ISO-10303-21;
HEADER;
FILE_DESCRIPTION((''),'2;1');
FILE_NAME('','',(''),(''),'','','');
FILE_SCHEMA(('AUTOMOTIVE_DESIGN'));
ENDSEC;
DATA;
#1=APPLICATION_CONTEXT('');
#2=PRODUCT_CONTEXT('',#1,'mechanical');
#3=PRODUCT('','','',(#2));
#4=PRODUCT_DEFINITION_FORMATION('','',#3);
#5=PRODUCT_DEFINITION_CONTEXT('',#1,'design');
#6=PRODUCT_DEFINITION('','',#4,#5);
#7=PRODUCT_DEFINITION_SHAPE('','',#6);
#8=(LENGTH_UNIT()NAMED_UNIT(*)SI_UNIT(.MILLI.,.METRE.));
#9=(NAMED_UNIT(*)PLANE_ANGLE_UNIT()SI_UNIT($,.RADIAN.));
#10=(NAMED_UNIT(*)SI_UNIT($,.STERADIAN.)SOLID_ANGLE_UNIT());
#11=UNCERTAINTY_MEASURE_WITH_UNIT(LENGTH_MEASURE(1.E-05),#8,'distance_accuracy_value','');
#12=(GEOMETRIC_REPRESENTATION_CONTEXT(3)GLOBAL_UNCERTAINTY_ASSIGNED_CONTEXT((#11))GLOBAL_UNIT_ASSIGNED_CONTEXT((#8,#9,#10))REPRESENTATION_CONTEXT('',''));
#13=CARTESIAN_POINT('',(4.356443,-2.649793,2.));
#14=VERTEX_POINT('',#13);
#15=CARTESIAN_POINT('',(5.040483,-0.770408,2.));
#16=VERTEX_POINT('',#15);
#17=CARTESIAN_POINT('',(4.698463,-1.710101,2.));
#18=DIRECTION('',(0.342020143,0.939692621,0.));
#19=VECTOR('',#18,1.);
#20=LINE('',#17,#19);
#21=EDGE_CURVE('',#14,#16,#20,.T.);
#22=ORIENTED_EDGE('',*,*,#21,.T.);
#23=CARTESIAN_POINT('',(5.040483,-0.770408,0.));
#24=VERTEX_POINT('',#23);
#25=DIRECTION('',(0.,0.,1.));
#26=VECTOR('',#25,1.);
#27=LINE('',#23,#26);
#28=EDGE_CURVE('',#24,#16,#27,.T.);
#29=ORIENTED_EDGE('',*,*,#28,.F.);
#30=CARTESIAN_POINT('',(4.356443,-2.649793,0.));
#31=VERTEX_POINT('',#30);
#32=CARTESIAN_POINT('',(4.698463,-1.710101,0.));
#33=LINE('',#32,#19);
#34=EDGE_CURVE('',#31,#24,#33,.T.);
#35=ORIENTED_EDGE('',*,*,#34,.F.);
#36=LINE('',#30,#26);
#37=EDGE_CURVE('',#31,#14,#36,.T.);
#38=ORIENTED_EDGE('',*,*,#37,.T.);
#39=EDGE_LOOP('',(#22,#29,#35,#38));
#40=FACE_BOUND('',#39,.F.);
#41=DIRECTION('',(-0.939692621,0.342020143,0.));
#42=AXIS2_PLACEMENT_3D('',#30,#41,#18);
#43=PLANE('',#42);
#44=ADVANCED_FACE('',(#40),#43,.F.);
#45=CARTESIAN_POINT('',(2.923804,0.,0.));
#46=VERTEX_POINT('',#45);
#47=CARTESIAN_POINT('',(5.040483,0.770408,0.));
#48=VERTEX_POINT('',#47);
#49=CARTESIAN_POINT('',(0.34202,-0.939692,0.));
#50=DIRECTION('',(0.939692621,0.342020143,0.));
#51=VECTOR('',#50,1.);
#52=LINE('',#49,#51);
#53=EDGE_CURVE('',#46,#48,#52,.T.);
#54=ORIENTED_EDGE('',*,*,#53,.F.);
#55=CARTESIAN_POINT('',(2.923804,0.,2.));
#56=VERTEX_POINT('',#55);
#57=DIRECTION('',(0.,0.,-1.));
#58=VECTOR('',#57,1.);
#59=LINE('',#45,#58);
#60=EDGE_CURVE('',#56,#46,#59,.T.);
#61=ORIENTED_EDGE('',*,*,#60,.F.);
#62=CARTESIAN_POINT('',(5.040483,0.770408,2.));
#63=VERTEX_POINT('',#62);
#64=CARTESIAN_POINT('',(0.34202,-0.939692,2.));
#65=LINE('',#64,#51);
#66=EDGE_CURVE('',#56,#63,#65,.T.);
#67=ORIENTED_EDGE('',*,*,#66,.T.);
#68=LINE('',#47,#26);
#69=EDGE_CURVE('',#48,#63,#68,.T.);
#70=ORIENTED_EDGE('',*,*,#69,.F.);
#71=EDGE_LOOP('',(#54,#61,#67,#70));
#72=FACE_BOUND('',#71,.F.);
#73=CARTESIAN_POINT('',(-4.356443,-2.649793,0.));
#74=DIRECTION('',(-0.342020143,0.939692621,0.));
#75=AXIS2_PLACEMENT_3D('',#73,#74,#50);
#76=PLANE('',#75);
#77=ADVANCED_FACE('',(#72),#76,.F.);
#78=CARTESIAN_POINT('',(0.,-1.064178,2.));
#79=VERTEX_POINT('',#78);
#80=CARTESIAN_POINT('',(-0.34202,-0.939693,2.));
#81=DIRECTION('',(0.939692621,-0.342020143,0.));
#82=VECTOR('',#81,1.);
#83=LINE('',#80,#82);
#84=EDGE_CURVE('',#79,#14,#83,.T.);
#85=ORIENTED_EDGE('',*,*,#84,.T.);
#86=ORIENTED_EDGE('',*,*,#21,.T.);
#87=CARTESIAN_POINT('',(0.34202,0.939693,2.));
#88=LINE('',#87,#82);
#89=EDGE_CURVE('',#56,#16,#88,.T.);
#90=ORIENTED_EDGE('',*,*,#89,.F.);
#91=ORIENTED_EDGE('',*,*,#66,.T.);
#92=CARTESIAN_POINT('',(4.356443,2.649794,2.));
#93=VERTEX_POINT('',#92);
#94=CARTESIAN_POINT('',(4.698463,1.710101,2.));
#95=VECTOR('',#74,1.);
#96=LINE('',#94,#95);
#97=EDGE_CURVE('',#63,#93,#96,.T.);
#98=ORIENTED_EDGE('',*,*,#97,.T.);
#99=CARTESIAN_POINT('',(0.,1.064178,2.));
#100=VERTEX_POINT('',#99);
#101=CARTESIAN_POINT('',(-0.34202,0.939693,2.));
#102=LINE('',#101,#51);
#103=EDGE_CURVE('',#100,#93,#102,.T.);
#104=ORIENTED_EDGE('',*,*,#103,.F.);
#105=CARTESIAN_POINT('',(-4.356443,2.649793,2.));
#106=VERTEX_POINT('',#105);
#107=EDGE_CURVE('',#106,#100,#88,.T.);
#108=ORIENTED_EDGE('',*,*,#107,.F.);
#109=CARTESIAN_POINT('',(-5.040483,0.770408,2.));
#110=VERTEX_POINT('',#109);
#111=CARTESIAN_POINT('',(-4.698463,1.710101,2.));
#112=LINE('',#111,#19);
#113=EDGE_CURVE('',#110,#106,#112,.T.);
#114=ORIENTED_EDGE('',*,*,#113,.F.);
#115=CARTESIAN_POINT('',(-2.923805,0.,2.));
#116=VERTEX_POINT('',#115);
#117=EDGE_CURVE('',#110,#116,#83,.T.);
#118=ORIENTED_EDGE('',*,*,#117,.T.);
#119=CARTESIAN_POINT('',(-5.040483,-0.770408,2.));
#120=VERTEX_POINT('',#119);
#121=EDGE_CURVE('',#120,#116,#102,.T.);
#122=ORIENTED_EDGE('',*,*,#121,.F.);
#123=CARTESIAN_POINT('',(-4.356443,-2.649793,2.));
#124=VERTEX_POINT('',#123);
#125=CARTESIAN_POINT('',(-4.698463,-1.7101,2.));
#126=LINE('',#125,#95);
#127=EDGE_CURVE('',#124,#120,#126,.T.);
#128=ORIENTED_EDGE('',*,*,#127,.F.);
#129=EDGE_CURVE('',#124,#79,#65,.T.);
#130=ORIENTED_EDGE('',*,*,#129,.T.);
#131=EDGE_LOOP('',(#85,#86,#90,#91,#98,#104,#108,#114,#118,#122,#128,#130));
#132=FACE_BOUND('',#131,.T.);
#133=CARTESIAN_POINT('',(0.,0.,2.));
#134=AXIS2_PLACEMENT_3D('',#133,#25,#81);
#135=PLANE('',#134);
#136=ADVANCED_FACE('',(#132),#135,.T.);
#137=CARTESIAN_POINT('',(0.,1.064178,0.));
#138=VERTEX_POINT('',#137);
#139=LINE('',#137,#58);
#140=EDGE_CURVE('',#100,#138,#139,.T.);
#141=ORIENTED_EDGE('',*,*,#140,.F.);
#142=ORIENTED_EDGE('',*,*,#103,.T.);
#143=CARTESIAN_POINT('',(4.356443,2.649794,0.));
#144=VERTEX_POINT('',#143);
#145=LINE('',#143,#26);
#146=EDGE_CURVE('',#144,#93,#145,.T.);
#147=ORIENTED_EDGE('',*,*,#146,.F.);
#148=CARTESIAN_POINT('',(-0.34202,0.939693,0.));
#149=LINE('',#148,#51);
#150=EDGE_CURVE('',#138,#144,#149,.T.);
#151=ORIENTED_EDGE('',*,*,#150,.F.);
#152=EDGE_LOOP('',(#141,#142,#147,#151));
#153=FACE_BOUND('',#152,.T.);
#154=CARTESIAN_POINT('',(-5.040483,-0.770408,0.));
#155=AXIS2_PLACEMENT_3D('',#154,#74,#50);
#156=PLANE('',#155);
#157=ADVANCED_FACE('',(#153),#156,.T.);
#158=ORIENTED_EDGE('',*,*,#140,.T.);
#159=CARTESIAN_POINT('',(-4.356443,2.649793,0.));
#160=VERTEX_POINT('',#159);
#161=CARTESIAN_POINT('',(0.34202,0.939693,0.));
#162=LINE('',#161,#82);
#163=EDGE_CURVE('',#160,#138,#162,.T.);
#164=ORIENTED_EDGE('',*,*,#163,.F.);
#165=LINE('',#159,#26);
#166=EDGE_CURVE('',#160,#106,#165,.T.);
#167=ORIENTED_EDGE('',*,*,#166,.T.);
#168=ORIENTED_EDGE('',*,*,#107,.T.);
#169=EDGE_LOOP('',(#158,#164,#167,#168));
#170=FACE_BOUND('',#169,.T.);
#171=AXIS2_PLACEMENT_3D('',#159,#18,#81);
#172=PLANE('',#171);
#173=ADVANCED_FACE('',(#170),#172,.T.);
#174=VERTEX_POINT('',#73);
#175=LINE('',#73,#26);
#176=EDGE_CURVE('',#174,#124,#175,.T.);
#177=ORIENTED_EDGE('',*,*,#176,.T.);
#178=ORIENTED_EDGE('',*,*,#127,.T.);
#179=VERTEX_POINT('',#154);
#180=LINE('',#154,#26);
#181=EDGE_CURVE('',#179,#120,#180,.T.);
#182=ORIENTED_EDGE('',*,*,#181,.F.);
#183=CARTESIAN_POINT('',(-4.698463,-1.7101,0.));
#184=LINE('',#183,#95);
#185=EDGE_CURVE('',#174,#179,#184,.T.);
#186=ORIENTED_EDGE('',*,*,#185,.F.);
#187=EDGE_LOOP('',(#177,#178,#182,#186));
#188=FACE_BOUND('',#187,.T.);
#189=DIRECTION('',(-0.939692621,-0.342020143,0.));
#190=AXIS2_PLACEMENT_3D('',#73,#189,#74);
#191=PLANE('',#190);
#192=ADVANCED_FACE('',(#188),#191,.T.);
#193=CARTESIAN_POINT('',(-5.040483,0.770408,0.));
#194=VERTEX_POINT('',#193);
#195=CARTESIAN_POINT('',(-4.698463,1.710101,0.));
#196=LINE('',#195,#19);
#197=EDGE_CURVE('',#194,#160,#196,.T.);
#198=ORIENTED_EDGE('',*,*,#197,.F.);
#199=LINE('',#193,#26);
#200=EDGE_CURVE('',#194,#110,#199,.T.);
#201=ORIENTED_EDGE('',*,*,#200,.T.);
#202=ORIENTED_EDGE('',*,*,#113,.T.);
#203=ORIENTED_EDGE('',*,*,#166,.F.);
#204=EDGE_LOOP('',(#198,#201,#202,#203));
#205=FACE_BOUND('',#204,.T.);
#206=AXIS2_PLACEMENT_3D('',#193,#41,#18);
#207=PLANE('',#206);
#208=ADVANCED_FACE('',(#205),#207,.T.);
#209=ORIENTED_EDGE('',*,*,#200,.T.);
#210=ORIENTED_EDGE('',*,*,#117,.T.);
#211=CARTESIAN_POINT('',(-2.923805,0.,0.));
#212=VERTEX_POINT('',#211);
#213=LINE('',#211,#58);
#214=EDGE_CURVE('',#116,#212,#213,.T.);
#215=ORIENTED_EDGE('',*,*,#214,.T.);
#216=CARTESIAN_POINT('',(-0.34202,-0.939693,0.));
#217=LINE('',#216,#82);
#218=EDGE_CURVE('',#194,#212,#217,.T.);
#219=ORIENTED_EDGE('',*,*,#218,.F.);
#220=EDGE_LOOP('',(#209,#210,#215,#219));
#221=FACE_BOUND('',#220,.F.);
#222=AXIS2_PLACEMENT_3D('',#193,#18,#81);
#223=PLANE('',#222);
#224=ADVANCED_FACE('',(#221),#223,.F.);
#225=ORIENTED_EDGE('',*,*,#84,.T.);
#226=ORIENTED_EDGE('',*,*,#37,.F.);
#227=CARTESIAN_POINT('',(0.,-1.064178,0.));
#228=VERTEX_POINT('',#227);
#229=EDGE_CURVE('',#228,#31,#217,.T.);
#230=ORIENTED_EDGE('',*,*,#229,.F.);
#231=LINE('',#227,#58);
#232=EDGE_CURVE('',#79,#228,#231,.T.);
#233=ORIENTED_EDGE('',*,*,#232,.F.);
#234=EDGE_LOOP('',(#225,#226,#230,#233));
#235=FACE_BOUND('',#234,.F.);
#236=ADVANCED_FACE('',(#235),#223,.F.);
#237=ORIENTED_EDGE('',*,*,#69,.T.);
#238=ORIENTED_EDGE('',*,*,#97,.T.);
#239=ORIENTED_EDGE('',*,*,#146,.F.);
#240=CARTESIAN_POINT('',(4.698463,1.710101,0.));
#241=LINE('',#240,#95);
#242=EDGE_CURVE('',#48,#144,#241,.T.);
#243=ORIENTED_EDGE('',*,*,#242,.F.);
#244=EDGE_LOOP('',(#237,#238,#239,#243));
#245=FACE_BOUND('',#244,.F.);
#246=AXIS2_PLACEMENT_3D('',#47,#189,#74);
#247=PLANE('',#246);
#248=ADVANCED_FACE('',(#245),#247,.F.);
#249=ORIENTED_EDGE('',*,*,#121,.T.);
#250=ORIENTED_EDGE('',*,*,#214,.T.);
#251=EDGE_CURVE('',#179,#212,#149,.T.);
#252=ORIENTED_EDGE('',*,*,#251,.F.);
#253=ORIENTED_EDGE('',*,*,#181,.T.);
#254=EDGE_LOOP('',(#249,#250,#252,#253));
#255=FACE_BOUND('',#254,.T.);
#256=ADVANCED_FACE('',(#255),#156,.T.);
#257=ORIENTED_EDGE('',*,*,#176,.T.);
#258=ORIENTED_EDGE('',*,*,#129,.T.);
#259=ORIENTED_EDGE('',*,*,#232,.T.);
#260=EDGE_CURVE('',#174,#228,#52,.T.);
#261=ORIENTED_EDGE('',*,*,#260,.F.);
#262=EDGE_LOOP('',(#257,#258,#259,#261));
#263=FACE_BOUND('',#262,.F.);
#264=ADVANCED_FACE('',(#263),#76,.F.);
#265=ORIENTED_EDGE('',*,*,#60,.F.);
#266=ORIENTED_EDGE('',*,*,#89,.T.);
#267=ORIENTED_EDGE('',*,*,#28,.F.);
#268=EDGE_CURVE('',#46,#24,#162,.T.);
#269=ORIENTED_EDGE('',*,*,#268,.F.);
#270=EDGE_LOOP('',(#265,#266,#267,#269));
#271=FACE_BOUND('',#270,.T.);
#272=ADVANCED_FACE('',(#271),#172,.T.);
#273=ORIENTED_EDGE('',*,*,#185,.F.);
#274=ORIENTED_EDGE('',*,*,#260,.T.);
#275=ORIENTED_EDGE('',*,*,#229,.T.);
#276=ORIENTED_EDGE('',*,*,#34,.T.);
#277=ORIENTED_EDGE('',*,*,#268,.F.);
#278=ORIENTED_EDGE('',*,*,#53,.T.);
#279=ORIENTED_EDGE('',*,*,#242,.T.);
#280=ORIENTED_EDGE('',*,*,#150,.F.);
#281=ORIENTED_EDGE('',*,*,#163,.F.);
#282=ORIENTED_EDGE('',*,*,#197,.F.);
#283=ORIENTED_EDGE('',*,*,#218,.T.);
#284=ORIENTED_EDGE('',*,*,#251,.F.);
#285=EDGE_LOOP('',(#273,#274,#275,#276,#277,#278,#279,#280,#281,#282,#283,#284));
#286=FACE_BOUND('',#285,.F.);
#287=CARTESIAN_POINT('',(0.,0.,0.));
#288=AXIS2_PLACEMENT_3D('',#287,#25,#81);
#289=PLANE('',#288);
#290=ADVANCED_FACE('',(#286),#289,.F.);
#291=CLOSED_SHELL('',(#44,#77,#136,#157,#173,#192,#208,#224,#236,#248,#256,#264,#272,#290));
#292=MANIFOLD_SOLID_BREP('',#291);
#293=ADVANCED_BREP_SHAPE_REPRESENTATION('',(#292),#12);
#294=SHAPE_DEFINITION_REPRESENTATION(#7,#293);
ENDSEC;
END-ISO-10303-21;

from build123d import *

# Parameters (mm, degrees)
BOX001_W               = 10
BOX001_H               = 2
BOX001_DEPTH           = 2
BOX001_PLACEMENT_ANGLE = 20
BOX_W                  = 10
BOX_H                  = 2
BOX_DEPTH              = 2
BOX_PLACEMENT_ANGLE    = 20


with BuildPart() as cubo2:
    # Box001 → Box001 (new body)
    with BuildSketch(Plane.XY):
        with Locations((5, 1)):
            Rectangle(BOX001_W, BOX001_H)
    extrude(amount=BOX001_DEPTH)


with BuildPart() as cubo2_1:
    # Box001 placement: moved
    add(cubo2.part.moved(Location((-0.040483, 1.770408, 0))).rotate(Axis((-0.040483, 1.770408, 0), (0, 0, -1)), BOX001_PLACEMENT_ANGLE))


with BuildPart() as fusion:
    # Box → Box (new body)
    with BuildSketch(Plane.XY):
        with Locations((5, 1)):
            Rectangle(BOX_W, BOX_H)
    extrude(amount=BOX_DEPTH)


with BuildPart() as fusion_1:
    # Box placement: moved
    add(fusion.part.moved(Location((0.643557, -1.649793, 0))).rotate(Axis((0.643557, -1.649793, 0), (0, 0, 1)), BOX_PLACEMENT_ANGLE))

    # Fusion: union CUBO2
    add(cubo2_1.part)


with BuildPart() as fusion_2:
    # Fusion placement: moved
    add(fusion_1.part.moved(Location((-5, -1, 0))))


solid = fusion_2.part
